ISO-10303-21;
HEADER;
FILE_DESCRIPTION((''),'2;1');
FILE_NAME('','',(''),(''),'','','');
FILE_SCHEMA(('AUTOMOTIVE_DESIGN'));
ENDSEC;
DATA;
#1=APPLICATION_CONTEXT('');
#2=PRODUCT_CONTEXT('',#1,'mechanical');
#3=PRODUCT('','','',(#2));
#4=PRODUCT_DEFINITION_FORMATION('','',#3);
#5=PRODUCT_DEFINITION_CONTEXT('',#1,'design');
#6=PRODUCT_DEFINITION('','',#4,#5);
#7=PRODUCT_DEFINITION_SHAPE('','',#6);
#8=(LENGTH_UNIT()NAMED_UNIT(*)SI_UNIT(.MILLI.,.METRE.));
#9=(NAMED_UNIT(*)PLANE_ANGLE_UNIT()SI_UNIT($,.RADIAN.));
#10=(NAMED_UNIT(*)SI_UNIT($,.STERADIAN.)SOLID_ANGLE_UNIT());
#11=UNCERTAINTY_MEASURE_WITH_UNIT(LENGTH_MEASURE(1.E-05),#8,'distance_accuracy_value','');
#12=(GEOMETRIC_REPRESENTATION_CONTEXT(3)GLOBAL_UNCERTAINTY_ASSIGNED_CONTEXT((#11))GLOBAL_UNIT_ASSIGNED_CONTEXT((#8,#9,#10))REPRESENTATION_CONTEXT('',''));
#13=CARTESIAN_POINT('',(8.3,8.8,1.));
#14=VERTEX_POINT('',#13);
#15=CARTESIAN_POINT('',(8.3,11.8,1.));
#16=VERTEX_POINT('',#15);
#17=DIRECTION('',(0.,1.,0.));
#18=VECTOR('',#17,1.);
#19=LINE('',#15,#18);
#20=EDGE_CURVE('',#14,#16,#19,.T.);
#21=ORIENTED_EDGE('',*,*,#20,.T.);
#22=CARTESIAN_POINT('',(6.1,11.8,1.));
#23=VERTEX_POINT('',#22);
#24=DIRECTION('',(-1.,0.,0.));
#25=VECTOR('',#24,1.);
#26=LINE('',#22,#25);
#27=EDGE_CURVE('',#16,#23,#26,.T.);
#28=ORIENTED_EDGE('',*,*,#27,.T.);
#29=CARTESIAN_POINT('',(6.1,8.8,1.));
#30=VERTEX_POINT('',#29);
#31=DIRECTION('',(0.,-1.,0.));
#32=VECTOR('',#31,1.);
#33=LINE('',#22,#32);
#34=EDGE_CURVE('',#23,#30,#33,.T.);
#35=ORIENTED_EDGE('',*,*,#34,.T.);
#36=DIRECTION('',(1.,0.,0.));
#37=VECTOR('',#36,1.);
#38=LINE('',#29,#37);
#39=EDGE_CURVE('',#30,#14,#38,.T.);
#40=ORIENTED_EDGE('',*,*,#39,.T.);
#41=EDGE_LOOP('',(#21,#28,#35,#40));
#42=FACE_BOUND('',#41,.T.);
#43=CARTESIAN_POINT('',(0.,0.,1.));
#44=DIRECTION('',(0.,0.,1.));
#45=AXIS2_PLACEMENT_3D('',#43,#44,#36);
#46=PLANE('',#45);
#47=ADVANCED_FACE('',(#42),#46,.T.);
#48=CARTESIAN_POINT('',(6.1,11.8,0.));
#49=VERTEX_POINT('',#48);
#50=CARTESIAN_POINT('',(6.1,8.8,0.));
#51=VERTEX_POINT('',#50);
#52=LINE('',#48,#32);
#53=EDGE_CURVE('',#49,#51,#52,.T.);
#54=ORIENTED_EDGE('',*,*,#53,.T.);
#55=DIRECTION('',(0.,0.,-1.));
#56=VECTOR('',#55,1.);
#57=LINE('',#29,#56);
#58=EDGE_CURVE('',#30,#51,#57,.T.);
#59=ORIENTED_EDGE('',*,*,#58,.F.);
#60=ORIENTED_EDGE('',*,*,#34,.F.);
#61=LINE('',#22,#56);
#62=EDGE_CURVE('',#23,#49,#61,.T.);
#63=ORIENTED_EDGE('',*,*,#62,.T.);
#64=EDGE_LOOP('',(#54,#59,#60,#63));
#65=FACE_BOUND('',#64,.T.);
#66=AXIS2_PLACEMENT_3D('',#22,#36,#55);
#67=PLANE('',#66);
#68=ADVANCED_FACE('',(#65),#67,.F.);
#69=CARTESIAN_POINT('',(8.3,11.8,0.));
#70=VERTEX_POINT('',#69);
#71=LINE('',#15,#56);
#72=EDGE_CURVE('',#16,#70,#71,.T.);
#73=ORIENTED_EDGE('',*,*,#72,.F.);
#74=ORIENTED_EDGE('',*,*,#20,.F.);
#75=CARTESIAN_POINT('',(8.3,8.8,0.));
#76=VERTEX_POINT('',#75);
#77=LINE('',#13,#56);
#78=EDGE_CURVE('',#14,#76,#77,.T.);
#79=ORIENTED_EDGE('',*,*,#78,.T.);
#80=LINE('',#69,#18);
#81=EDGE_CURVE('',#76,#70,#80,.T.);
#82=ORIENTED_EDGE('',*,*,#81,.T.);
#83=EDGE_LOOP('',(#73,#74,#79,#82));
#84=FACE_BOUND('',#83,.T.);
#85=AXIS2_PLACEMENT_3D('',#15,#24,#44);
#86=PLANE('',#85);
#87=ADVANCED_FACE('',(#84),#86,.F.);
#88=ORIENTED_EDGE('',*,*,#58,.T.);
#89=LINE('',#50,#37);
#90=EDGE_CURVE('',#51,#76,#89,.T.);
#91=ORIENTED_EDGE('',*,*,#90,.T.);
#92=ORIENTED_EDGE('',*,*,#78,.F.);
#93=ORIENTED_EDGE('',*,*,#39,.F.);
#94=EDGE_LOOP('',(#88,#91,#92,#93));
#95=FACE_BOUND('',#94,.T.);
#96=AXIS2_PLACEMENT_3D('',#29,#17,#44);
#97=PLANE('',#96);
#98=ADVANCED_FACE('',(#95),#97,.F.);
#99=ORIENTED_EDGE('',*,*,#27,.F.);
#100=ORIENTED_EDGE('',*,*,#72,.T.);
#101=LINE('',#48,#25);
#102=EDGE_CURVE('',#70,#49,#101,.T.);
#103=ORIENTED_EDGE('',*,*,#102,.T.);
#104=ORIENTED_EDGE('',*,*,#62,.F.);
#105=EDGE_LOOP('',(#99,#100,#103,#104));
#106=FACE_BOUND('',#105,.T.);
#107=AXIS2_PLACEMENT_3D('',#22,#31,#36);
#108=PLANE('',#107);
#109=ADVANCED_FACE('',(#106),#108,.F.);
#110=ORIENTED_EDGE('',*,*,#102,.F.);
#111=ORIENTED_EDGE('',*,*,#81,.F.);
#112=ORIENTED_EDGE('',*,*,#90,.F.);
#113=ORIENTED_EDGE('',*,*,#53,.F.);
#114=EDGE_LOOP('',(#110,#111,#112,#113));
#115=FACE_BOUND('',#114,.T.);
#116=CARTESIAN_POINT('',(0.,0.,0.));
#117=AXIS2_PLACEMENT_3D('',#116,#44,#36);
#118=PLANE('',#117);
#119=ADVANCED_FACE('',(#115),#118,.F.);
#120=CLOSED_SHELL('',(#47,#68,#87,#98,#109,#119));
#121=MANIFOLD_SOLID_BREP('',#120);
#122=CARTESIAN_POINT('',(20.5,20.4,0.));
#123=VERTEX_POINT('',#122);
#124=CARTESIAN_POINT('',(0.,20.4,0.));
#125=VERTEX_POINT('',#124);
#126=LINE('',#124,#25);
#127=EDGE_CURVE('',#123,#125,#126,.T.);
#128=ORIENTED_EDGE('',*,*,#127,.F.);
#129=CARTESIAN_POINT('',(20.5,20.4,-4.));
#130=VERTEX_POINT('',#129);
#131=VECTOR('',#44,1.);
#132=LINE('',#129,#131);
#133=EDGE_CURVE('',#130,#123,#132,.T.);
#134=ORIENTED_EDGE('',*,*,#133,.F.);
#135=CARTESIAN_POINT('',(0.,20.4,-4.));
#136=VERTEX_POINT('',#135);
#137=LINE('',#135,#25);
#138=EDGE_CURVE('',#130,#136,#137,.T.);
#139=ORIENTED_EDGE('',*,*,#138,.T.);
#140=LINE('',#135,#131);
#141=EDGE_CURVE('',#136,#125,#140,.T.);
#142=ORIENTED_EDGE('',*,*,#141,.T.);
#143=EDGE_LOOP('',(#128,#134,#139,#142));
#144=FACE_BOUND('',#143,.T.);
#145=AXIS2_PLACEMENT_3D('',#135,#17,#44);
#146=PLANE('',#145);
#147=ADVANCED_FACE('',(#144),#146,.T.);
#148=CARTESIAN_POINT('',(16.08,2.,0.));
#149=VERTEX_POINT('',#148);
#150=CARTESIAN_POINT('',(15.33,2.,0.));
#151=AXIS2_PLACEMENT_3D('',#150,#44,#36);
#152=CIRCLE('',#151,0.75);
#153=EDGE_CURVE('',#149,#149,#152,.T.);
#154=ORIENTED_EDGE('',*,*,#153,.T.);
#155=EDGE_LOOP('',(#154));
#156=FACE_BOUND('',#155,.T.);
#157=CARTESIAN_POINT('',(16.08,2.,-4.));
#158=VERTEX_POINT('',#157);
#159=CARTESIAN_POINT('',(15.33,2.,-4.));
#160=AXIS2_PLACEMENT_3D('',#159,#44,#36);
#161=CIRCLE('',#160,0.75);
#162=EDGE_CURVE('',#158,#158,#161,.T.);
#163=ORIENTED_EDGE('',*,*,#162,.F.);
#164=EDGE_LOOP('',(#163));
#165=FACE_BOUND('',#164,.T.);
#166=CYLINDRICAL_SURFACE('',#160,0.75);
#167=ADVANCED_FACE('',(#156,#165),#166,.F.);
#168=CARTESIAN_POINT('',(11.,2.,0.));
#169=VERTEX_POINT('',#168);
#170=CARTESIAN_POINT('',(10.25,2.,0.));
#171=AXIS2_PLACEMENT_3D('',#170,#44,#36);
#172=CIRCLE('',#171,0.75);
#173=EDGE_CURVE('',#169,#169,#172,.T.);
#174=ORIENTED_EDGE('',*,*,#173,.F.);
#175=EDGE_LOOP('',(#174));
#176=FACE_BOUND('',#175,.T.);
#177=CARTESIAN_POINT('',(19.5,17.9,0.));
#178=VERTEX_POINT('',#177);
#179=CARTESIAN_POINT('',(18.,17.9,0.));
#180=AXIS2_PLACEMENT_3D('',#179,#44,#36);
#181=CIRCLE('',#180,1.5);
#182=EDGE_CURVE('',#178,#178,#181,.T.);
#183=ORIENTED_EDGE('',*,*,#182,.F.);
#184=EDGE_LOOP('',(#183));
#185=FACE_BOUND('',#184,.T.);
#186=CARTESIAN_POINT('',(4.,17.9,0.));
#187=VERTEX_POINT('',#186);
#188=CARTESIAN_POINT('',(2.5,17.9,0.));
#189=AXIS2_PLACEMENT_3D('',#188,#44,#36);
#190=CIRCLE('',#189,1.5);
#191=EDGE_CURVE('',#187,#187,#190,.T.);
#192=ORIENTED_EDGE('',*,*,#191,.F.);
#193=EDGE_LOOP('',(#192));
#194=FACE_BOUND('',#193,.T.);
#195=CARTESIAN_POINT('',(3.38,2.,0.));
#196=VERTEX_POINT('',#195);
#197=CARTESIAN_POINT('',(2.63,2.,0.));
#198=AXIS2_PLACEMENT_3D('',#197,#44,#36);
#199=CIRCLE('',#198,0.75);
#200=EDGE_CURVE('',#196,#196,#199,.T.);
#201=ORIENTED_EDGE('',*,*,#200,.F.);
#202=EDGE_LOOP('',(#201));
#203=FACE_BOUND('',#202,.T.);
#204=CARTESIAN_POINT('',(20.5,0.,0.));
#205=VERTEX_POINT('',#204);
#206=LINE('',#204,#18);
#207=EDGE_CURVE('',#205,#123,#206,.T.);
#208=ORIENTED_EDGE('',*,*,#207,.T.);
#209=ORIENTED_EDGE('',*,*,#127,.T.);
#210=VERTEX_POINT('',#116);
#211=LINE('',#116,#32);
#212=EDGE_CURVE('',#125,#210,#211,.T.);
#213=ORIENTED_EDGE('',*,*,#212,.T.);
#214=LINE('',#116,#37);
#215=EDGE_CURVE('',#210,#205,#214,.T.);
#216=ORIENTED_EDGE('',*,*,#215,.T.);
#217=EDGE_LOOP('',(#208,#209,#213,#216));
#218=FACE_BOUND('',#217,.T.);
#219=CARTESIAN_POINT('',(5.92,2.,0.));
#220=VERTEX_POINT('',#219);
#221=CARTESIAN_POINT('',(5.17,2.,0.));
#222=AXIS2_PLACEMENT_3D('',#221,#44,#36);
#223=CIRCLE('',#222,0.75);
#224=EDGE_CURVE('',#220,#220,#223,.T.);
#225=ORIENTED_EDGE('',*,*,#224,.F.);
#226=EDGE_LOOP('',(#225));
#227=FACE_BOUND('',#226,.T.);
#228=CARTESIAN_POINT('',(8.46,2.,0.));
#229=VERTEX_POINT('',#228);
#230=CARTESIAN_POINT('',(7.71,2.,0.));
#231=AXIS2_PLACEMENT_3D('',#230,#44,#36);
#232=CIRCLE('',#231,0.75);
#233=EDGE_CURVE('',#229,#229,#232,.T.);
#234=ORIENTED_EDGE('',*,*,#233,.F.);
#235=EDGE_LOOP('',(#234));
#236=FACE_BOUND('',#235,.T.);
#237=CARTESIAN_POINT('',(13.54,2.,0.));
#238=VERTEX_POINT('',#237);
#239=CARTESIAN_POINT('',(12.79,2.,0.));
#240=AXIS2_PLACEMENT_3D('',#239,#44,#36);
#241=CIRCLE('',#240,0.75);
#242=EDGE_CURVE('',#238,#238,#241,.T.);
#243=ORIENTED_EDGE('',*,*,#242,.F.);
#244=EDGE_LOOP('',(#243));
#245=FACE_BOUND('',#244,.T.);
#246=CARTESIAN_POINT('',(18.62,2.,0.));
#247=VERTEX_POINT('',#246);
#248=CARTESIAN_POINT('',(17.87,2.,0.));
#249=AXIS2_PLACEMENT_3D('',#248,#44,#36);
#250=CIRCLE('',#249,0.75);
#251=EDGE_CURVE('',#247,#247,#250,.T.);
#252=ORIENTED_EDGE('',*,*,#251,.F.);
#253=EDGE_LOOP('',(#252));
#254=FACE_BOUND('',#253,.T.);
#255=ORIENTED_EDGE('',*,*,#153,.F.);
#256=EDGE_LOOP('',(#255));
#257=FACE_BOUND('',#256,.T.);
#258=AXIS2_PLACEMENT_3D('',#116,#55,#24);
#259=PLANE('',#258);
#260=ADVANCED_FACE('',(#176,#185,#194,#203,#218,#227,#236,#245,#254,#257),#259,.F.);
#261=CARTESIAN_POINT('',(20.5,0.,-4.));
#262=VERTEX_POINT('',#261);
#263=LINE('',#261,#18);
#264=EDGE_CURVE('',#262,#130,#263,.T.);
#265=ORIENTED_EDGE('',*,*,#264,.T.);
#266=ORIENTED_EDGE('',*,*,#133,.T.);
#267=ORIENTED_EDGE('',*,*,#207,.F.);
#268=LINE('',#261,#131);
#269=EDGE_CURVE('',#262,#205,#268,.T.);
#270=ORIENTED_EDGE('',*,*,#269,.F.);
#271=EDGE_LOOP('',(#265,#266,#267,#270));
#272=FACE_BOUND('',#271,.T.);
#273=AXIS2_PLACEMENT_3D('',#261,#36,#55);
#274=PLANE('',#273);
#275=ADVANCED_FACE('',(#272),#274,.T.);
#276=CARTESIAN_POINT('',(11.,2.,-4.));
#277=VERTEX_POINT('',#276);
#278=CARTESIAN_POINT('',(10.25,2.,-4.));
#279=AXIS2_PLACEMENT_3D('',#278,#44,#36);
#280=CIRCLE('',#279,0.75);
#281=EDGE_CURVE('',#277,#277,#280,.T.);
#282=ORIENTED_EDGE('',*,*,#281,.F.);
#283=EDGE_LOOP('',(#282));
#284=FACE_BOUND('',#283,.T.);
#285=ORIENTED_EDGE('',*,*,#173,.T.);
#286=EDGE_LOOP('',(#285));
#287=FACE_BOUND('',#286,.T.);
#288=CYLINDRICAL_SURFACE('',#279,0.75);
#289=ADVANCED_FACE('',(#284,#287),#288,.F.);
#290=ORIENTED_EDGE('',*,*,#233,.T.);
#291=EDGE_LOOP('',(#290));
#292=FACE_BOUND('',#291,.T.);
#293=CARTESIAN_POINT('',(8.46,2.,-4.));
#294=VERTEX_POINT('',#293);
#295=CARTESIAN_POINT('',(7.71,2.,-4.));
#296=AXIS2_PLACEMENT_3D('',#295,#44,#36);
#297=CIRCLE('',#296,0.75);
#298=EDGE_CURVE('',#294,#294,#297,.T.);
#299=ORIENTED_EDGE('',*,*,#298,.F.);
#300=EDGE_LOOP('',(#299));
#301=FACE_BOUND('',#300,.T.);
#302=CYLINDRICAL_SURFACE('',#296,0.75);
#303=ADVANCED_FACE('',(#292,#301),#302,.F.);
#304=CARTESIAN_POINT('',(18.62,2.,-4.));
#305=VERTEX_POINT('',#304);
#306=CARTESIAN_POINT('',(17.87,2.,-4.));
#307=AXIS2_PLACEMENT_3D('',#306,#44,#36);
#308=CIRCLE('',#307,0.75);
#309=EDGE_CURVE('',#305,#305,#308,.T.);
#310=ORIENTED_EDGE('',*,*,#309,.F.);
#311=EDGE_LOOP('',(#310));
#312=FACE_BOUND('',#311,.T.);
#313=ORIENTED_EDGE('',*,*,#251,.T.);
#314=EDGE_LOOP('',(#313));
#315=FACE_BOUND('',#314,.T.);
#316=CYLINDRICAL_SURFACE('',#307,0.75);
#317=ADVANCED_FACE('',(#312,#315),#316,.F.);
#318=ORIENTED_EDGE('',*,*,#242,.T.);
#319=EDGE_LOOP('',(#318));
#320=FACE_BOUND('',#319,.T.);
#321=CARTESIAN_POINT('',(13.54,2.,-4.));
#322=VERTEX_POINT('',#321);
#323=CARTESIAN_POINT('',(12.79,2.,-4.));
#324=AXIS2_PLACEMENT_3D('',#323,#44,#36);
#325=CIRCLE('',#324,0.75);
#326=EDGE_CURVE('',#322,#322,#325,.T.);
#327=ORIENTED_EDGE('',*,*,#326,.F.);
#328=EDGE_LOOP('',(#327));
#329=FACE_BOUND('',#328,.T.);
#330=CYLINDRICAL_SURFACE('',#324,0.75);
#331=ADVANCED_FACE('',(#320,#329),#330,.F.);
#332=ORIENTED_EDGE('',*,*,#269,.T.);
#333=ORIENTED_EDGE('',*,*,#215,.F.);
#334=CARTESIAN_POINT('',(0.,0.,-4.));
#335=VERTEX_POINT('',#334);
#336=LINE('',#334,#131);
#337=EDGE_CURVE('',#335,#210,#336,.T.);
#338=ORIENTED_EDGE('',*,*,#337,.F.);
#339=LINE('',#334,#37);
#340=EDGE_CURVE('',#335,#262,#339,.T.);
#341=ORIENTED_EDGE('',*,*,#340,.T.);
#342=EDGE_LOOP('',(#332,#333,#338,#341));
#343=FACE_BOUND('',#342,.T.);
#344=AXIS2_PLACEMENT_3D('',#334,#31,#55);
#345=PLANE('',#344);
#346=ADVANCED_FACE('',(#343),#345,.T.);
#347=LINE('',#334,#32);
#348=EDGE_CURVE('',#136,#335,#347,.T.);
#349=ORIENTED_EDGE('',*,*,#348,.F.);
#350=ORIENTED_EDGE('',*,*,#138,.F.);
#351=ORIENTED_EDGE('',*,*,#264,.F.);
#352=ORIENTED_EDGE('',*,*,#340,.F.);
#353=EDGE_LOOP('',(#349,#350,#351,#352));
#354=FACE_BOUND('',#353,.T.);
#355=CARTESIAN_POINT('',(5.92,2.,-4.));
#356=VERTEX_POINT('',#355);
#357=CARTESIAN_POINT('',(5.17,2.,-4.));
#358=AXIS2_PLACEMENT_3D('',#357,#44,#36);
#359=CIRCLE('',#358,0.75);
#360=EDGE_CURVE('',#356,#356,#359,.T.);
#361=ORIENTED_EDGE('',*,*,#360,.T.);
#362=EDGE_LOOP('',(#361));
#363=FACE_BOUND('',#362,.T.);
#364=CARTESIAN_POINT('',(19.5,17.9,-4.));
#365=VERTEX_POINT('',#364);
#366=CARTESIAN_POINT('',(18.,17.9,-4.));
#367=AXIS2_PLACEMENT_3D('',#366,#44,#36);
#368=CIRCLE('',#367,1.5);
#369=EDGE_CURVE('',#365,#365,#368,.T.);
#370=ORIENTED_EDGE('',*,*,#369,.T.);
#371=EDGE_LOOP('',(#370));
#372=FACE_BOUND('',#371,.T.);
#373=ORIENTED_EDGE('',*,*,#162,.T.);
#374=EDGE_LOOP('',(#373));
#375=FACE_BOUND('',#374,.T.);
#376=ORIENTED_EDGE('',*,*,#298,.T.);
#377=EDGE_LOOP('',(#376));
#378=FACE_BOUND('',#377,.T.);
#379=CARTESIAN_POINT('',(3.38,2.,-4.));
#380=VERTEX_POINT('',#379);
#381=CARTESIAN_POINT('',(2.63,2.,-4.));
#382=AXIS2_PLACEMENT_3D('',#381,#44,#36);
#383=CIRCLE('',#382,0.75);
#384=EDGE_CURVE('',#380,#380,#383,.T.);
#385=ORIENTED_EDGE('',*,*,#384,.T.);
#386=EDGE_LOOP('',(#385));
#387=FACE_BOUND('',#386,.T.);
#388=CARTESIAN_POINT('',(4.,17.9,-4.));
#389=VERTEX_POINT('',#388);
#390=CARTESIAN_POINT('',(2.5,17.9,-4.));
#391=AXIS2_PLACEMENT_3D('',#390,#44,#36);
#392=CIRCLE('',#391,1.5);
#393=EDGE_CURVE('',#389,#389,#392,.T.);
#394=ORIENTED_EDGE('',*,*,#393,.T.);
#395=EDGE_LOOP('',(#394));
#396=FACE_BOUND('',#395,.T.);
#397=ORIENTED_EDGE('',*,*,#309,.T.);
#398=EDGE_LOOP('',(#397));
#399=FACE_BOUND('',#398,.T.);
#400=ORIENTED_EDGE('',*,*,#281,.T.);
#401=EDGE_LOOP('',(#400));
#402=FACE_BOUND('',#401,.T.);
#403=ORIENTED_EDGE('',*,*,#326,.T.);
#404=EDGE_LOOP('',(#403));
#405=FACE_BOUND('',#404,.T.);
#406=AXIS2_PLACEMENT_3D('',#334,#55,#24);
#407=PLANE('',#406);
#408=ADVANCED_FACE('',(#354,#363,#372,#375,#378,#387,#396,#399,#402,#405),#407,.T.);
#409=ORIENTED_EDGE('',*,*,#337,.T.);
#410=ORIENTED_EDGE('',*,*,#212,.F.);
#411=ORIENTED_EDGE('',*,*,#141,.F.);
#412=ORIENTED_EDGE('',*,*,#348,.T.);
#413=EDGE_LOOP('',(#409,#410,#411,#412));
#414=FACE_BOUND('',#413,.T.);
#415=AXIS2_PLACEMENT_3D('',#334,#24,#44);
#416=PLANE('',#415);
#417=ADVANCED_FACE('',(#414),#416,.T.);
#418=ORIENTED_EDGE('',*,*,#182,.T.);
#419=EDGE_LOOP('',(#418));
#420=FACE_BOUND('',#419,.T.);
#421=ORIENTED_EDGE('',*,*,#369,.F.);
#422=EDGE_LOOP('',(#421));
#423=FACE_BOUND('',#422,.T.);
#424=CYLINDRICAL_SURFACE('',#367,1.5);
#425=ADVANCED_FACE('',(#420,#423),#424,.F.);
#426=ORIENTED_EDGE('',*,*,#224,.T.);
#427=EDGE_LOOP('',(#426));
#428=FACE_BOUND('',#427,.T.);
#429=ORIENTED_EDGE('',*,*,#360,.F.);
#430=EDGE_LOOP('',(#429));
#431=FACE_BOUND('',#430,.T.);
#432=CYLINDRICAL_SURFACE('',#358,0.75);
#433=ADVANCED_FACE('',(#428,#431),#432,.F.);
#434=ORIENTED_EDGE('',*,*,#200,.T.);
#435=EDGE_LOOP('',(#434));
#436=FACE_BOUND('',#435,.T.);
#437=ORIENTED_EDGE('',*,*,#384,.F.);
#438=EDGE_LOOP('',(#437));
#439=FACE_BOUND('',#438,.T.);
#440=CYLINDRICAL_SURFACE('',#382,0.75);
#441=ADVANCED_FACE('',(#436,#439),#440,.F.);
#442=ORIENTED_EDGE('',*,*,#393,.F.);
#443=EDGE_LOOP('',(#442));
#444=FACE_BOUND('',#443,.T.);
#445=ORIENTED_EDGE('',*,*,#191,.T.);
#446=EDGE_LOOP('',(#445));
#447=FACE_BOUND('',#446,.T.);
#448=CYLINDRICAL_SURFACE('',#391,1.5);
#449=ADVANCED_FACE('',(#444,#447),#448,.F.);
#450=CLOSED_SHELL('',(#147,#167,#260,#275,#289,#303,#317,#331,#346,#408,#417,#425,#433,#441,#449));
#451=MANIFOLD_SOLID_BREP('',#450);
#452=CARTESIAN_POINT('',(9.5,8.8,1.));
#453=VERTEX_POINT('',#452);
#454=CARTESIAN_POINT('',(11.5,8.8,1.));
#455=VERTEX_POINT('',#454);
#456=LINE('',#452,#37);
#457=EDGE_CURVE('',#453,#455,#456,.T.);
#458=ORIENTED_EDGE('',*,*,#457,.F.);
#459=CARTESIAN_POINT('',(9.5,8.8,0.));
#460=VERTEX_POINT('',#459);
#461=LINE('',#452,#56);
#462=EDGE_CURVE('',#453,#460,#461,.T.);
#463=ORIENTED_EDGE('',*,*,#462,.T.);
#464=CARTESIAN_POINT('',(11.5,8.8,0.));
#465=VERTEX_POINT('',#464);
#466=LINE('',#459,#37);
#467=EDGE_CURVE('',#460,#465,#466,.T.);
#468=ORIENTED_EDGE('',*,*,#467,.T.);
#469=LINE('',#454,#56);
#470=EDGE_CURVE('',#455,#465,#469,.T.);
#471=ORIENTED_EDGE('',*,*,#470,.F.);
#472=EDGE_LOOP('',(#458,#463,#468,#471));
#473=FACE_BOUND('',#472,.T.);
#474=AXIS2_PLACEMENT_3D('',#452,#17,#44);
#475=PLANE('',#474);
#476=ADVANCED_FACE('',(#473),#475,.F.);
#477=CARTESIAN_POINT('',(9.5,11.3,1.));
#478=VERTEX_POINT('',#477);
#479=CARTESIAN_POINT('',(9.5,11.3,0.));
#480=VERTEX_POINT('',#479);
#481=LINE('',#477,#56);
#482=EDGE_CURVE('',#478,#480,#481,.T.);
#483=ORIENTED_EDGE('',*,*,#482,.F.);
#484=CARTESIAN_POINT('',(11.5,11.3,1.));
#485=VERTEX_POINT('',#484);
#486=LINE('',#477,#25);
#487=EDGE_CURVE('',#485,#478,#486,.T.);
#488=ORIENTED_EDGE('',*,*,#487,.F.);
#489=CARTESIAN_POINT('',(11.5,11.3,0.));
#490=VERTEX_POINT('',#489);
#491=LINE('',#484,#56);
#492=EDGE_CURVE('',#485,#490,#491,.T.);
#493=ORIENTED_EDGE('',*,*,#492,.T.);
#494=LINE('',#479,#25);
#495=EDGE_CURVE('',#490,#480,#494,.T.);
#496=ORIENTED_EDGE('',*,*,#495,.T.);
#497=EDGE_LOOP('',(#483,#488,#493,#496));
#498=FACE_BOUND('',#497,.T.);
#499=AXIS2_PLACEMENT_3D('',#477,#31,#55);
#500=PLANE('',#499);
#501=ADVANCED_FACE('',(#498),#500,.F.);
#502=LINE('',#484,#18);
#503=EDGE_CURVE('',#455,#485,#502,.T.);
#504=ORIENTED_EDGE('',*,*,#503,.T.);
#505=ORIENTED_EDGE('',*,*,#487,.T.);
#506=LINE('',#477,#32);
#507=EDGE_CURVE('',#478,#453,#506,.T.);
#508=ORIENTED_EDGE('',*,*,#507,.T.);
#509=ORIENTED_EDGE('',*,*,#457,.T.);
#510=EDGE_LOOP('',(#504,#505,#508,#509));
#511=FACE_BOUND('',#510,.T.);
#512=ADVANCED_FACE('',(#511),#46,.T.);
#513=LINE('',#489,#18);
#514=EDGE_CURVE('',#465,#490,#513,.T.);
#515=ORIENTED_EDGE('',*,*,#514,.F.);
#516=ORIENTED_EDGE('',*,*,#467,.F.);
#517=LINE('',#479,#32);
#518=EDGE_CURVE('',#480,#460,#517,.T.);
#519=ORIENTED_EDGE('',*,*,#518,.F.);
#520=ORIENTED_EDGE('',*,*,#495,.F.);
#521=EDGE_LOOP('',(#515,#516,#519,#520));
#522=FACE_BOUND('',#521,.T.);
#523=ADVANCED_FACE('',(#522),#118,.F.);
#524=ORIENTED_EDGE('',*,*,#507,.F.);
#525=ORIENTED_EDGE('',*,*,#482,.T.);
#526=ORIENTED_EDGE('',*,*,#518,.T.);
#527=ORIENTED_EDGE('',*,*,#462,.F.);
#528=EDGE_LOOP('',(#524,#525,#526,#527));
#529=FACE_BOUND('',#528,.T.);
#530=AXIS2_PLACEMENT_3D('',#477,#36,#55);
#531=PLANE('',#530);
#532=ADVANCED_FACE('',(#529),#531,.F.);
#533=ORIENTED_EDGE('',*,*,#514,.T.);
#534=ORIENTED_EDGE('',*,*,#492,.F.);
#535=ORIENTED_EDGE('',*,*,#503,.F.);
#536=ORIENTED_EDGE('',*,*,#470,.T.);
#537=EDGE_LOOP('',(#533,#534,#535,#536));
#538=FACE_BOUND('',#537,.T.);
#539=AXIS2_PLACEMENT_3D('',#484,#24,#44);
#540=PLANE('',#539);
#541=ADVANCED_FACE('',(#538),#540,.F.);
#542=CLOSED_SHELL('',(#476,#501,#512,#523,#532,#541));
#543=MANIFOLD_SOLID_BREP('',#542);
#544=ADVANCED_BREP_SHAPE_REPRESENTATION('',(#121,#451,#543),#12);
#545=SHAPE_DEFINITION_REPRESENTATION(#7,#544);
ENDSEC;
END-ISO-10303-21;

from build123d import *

# Parameters (mm, degrees)
ESQUISSE2_W             = 20.5
ESQUISSE2_H             = 20.4
BOSS_EXTRU_1_DEPTH      = 4
ESQUISSE3_R             = 1.5
ESQUISSE3_R_2           = 0.75
ENL_V_MAT_EXTRU_1_DEPTH = 30.196061378
ESQUISSE4_W             = 2.2
ESQUISSE4_H             = 3
BOSS_EXTRU_2_DEPTH      = 1
ESQUISSE4_W_2           = 2
ESQUISSE4_H_2           = 2.5
BOSS_EXTRU_2_2_DEPTH    = 1


with BuildPart() as part:
    # Esquisse2 → Boss.-Extru.1 (new body)
    with BuildSketch(Plane.XY):
        with Locations((10.25, 10.2)):
            Rectangle(ESQUISSE2_W, ESQUISSE2_H)
    extrude(amount=-BOSS_EXTRU_1_DEPTH)

    # Esquisse3 → Enlèv. mat.-Extru.1 (cut, through all)
    with BuildSketch(Plane.XY):
        with Locations((2.5, 17.9)):
            Circle(ESQUISSE3_R)
        with Locations((18, 17.9)):
            Circle(ESQUISSE3_R)
        with Locations((2.63, 2)):
            Circle(ESQUISSE3_R_2)
        with Locations((5.17, 2)):
            Circle(ESQUISSE3_R_2)
        with Locations((7.71, 2)):
            Circle(ESQUISSE3_R_2)
        with Locations((10.25, 2)):
            Circle(ESQUISSE3_R_2)
        with Locations((12.79, 2)):
            Circle(ESQUISSE3_R_2)
        with Locations((15.33, 2)):
            Circle(ESQUISSE3_R_2)
        with Locations((17.87, 2)):
            Circle(ESQUISSE3_R_2)
    extrude(amount=-ENL_V_MAT_EXTRU_1_DEPTH, mode=Mode.SUBTRACT)


with BuildPart() as body_2:
    # Esquisse4 → Boss.-Extru.2 (new body)
    with BuildSketch(Plane.XY):
        with Locations((7.2, 10.3)):
            Rectangle(ESQUISSE4_W, ESQUISSE4_H)
    extrude(amount=BOSS_EXTRU_2_DEPTH)


with BuildPart() as body_3:
    # Esquisse4 → Boss.-Extru.2 2 (new body)
    with BuildSketch(Plane.XY):
        with Locations((10.5, 10.05)):
            Rectangle(ESQUISSE4_W_2, ESQUISSE4_H_2)
    extrude(amount=BOSS_EXTRU_2_2_DEPTH)


solid = Compound([part.part, body_2.part, body_3.part])
